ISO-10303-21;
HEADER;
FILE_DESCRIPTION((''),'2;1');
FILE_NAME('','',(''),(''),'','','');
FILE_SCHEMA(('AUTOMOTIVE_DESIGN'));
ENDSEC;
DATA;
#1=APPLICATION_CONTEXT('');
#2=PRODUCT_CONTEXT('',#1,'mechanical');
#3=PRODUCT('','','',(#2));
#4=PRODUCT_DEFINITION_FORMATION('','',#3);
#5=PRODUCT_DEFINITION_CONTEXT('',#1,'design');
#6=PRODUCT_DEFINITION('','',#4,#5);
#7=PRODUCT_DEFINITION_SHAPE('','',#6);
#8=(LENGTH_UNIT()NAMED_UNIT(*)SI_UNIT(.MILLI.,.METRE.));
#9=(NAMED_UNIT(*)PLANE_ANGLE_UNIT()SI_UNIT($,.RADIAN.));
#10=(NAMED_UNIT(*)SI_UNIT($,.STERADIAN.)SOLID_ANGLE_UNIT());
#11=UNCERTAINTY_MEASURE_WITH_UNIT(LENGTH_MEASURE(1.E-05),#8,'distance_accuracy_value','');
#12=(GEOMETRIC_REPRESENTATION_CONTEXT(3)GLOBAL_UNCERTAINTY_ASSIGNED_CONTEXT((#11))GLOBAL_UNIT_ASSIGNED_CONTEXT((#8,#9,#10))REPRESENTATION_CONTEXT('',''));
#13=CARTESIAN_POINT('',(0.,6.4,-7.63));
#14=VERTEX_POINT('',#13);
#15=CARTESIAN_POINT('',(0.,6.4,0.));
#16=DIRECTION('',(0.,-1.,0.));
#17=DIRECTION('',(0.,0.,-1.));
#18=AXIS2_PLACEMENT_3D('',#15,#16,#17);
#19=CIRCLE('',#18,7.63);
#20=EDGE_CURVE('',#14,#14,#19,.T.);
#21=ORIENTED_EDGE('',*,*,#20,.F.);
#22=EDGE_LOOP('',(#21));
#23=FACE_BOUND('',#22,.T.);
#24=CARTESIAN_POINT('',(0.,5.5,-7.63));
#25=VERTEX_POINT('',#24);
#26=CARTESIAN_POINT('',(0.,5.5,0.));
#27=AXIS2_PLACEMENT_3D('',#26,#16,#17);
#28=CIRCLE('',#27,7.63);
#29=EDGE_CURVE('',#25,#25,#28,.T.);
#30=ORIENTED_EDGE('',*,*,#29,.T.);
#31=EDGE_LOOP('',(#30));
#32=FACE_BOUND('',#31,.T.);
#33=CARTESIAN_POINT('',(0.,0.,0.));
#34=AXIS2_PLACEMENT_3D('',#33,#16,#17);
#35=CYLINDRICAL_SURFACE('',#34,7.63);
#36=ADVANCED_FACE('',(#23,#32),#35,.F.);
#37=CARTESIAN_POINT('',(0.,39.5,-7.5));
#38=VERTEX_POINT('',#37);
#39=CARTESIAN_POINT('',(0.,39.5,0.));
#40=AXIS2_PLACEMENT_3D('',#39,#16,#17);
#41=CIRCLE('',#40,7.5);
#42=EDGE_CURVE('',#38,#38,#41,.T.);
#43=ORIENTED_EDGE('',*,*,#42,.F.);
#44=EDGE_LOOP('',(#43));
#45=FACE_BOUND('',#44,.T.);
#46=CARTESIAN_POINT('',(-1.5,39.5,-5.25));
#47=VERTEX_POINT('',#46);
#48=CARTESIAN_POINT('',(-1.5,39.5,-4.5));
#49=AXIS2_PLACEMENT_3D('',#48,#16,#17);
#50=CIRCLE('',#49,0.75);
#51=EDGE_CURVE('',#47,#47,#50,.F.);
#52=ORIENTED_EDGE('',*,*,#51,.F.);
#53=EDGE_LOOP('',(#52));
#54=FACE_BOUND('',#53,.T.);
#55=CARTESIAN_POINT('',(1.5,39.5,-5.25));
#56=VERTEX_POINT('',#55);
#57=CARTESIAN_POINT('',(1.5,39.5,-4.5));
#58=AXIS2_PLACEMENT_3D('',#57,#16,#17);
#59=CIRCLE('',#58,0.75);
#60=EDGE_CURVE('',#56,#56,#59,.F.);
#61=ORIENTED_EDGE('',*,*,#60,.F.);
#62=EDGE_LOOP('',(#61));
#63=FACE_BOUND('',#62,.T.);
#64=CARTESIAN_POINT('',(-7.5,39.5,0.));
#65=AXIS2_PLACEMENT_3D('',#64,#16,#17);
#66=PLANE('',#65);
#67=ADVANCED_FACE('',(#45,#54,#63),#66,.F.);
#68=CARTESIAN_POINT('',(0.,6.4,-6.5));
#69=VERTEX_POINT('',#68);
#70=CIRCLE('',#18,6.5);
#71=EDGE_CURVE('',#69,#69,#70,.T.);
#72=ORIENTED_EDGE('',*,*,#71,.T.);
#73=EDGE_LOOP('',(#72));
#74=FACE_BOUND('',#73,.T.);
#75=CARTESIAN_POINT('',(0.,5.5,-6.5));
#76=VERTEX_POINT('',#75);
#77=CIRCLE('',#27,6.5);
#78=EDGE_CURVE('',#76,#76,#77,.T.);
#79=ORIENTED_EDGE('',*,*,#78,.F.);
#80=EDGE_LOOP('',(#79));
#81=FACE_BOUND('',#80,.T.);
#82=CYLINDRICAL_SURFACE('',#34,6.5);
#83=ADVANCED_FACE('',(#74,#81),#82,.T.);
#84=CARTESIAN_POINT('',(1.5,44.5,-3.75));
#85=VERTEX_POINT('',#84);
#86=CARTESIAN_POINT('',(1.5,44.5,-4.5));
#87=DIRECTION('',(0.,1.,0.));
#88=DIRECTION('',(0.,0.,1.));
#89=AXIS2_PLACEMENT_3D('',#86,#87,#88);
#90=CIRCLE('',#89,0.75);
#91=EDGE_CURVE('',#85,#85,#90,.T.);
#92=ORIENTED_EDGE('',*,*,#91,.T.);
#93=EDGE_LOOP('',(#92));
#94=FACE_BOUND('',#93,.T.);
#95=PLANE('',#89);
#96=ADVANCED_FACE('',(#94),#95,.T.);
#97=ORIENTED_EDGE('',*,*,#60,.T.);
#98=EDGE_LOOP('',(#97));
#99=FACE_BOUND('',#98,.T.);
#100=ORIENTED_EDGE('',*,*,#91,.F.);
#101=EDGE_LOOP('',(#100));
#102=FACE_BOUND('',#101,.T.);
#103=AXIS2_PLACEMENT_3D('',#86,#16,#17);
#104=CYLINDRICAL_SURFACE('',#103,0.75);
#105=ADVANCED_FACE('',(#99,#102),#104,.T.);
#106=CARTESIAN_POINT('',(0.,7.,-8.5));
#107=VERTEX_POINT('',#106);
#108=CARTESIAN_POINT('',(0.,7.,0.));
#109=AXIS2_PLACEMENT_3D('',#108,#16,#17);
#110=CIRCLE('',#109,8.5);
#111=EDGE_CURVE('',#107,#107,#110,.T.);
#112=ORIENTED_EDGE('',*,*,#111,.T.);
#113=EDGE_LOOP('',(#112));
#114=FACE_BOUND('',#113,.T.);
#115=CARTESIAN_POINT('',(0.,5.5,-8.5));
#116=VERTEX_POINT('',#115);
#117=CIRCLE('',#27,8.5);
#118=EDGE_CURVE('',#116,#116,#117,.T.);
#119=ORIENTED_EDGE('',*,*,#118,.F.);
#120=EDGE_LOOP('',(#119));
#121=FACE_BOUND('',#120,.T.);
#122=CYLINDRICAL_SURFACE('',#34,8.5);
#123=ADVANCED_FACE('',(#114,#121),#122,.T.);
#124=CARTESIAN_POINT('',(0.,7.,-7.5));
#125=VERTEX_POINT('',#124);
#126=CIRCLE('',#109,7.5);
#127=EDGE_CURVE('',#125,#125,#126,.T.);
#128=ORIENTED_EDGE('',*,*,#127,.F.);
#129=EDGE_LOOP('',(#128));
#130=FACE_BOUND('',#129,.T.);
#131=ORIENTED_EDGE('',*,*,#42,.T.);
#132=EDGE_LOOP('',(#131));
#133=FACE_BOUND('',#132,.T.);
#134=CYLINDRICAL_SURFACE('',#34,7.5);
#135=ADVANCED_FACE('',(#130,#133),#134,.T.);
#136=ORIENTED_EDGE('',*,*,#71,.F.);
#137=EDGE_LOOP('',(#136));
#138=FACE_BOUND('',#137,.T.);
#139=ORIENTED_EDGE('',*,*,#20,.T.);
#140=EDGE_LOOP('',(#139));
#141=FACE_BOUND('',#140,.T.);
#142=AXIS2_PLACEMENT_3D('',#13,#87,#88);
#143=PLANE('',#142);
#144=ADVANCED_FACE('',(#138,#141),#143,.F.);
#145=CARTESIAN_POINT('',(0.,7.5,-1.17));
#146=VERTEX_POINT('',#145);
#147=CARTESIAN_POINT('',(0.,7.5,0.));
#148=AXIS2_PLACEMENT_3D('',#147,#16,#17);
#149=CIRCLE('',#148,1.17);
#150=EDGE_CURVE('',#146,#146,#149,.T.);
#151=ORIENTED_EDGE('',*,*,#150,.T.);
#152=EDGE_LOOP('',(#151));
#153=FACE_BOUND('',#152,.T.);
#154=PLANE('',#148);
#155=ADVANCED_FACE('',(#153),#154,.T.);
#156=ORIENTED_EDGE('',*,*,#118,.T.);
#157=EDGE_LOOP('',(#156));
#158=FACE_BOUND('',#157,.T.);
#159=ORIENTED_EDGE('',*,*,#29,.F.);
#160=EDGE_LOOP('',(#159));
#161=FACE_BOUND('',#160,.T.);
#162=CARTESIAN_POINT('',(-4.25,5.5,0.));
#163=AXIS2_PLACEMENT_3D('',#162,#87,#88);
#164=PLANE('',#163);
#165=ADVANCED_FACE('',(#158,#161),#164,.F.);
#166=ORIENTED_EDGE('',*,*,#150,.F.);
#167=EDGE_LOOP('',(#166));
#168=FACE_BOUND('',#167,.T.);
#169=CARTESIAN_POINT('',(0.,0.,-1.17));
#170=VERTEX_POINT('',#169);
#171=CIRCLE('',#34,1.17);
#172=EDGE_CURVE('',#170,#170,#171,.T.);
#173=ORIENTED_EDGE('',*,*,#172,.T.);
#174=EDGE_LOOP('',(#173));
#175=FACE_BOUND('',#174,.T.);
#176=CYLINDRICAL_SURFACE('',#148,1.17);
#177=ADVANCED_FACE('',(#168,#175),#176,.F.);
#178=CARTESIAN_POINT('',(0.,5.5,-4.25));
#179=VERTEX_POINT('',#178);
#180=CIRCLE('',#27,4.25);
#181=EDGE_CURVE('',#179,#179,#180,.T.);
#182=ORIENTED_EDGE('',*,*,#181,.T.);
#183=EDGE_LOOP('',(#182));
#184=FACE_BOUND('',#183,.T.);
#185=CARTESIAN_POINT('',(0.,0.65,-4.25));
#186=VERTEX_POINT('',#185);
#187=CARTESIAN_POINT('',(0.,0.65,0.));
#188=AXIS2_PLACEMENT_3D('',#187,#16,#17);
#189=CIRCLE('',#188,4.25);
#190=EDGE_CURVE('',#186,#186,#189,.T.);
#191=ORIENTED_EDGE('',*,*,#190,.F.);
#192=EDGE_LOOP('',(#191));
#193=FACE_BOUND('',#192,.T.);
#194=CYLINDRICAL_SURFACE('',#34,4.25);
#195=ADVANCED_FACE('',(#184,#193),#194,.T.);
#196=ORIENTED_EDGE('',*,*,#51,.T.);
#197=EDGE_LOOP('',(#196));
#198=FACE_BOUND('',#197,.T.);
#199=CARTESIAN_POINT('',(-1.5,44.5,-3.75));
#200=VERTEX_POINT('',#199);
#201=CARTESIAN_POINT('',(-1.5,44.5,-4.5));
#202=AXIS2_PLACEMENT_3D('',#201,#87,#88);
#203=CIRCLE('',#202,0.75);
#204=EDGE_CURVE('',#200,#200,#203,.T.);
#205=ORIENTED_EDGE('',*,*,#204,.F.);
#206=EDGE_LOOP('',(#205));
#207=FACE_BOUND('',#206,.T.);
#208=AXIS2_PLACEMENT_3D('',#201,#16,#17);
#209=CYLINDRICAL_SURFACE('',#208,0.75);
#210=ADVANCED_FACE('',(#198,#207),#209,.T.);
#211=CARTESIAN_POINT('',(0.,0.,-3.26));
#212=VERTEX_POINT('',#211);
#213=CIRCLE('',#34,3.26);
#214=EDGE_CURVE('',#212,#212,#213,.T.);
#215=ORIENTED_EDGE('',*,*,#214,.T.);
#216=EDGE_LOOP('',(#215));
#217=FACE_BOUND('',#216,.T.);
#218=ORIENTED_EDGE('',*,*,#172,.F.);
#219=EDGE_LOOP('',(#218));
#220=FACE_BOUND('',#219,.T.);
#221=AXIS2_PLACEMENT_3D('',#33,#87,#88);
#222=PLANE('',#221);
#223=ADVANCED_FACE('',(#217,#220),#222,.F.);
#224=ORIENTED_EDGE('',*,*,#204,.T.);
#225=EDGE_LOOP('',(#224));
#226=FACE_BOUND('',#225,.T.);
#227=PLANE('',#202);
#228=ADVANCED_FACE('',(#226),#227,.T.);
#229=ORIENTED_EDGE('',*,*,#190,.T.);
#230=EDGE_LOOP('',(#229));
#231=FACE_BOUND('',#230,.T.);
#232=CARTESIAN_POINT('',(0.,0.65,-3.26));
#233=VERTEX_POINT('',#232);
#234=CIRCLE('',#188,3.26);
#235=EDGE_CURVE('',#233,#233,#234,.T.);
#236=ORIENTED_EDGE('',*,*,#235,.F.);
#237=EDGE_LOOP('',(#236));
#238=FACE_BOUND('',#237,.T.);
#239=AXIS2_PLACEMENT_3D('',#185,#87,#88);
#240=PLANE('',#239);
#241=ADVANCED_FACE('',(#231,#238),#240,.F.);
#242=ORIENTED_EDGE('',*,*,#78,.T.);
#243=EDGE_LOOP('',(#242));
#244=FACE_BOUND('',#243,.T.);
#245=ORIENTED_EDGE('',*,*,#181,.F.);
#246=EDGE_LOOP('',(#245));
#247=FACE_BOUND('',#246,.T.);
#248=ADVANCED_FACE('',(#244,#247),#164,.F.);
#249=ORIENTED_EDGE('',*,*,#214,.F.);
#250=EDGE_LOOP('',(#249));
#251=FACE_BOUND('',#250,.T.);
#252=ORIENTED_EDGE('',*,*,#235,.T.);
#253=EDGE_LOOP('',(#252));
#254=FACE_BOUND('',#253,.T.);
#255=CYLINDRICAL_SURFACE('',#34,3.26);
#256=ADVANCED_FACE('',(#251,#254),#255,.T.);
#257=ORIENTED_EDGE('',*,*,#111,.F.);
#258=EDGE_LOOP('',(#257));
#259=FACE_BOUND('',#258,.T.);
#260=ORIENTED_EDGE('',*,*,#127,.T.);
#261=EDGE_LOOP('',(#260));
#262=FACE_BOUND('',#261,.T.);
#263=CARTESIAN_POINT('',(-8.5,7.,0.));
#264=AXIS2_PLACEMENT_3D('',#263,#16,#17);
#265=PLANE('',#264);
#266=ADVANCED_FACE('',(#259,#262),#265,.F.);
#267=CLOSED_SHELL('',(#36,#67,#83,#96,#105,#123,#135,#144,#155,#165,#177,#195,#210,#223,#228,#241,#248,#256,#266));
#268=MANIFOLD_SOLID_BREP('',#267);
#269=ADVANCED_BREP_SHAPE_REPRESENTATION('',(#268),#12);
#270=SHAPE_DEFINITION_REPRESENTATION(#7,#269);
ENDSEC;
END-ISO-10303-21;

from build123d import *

# Parameters (mm, degrees)
SKETCH2_R           = 0.75
BOSS_EXTRUDE1_DEPTH = 5
SKETCH3_W           = 0.99
SKETCH3_H           = 0.65
SKETCH4_R           = 1.17
CUT_EXTRUDE1_DEPTH  = 7.5
SKETCH5_W           = 1.13
SKETCH5_H           = 0.9


with BuildPart() as part:
    # Sketch1 → Revolve2 (revolve)
    with BuildSketch(Plane.XY):
        Polygon((0, 0), (-4.25, 0), (-4.25, 5.5), (-8.5, 5.5), (-8.5, 7), (-7.5, 7), (-7.5, 39.5), (0, 39.5), align=None)
    revolve(axis=Axis((0, 0, 0), (0, 1, 0)))

    # Sketch2 → Boss-Extrude1 (add)
    with BuildSketch(Plane(origin=(0, 39.5, 0), x_dir=(1, 0, 0), z_dir=(0, 1, 0))):
        with Locations((1.5, 4.5)):
            Circle(SKETCH2_R)
        with Locations((-1.5, 4.5)):
            Circle(SKETCH2_R)
    extrude(amount=BOSS_EXTRUDE1_DEPTH)

    # Sketch3 → Cut-Revolve1 (revolve, cut)
    with BuildSketch(Plane(origin=(0, 0, 0), x_dir=(0, 0, -1), z_dir=(1, 0, 0))):
        with Locations((3.755, 0.325)):
            Rectangle(SKETCH3_W, SKETCH3_H)
    revolve(axis=Axis((0, 0, 0), (0, 1, 0)), mode=Mode.SUBTRACT)

    # Sketch4 → Cut-Extrude1 (cut)
    with BuildSketch(Plane.XZ):
        Circle(SKETCH4_R)
    extrude(amount=-CUT_EXTRUDE1_DEPTH, mode=Mode.SUBTRACT)

    # Sketch5 → Cut-Revolve2 (revolve, cut)
    with BuildSketch(Plane(origin=(0, 0, 0), x_dir=(0, 0, -1), z_dir=(1, 0, 0))):
        with Locations((7.065, 5.95)):
            Rectangle(SKETCH5_W, SKETCH5_H)
    revolve(axis=Axis((0, 0, 0), (0, 1, 0)), mode=Mode.SUBTRACT)


solid = part.part
